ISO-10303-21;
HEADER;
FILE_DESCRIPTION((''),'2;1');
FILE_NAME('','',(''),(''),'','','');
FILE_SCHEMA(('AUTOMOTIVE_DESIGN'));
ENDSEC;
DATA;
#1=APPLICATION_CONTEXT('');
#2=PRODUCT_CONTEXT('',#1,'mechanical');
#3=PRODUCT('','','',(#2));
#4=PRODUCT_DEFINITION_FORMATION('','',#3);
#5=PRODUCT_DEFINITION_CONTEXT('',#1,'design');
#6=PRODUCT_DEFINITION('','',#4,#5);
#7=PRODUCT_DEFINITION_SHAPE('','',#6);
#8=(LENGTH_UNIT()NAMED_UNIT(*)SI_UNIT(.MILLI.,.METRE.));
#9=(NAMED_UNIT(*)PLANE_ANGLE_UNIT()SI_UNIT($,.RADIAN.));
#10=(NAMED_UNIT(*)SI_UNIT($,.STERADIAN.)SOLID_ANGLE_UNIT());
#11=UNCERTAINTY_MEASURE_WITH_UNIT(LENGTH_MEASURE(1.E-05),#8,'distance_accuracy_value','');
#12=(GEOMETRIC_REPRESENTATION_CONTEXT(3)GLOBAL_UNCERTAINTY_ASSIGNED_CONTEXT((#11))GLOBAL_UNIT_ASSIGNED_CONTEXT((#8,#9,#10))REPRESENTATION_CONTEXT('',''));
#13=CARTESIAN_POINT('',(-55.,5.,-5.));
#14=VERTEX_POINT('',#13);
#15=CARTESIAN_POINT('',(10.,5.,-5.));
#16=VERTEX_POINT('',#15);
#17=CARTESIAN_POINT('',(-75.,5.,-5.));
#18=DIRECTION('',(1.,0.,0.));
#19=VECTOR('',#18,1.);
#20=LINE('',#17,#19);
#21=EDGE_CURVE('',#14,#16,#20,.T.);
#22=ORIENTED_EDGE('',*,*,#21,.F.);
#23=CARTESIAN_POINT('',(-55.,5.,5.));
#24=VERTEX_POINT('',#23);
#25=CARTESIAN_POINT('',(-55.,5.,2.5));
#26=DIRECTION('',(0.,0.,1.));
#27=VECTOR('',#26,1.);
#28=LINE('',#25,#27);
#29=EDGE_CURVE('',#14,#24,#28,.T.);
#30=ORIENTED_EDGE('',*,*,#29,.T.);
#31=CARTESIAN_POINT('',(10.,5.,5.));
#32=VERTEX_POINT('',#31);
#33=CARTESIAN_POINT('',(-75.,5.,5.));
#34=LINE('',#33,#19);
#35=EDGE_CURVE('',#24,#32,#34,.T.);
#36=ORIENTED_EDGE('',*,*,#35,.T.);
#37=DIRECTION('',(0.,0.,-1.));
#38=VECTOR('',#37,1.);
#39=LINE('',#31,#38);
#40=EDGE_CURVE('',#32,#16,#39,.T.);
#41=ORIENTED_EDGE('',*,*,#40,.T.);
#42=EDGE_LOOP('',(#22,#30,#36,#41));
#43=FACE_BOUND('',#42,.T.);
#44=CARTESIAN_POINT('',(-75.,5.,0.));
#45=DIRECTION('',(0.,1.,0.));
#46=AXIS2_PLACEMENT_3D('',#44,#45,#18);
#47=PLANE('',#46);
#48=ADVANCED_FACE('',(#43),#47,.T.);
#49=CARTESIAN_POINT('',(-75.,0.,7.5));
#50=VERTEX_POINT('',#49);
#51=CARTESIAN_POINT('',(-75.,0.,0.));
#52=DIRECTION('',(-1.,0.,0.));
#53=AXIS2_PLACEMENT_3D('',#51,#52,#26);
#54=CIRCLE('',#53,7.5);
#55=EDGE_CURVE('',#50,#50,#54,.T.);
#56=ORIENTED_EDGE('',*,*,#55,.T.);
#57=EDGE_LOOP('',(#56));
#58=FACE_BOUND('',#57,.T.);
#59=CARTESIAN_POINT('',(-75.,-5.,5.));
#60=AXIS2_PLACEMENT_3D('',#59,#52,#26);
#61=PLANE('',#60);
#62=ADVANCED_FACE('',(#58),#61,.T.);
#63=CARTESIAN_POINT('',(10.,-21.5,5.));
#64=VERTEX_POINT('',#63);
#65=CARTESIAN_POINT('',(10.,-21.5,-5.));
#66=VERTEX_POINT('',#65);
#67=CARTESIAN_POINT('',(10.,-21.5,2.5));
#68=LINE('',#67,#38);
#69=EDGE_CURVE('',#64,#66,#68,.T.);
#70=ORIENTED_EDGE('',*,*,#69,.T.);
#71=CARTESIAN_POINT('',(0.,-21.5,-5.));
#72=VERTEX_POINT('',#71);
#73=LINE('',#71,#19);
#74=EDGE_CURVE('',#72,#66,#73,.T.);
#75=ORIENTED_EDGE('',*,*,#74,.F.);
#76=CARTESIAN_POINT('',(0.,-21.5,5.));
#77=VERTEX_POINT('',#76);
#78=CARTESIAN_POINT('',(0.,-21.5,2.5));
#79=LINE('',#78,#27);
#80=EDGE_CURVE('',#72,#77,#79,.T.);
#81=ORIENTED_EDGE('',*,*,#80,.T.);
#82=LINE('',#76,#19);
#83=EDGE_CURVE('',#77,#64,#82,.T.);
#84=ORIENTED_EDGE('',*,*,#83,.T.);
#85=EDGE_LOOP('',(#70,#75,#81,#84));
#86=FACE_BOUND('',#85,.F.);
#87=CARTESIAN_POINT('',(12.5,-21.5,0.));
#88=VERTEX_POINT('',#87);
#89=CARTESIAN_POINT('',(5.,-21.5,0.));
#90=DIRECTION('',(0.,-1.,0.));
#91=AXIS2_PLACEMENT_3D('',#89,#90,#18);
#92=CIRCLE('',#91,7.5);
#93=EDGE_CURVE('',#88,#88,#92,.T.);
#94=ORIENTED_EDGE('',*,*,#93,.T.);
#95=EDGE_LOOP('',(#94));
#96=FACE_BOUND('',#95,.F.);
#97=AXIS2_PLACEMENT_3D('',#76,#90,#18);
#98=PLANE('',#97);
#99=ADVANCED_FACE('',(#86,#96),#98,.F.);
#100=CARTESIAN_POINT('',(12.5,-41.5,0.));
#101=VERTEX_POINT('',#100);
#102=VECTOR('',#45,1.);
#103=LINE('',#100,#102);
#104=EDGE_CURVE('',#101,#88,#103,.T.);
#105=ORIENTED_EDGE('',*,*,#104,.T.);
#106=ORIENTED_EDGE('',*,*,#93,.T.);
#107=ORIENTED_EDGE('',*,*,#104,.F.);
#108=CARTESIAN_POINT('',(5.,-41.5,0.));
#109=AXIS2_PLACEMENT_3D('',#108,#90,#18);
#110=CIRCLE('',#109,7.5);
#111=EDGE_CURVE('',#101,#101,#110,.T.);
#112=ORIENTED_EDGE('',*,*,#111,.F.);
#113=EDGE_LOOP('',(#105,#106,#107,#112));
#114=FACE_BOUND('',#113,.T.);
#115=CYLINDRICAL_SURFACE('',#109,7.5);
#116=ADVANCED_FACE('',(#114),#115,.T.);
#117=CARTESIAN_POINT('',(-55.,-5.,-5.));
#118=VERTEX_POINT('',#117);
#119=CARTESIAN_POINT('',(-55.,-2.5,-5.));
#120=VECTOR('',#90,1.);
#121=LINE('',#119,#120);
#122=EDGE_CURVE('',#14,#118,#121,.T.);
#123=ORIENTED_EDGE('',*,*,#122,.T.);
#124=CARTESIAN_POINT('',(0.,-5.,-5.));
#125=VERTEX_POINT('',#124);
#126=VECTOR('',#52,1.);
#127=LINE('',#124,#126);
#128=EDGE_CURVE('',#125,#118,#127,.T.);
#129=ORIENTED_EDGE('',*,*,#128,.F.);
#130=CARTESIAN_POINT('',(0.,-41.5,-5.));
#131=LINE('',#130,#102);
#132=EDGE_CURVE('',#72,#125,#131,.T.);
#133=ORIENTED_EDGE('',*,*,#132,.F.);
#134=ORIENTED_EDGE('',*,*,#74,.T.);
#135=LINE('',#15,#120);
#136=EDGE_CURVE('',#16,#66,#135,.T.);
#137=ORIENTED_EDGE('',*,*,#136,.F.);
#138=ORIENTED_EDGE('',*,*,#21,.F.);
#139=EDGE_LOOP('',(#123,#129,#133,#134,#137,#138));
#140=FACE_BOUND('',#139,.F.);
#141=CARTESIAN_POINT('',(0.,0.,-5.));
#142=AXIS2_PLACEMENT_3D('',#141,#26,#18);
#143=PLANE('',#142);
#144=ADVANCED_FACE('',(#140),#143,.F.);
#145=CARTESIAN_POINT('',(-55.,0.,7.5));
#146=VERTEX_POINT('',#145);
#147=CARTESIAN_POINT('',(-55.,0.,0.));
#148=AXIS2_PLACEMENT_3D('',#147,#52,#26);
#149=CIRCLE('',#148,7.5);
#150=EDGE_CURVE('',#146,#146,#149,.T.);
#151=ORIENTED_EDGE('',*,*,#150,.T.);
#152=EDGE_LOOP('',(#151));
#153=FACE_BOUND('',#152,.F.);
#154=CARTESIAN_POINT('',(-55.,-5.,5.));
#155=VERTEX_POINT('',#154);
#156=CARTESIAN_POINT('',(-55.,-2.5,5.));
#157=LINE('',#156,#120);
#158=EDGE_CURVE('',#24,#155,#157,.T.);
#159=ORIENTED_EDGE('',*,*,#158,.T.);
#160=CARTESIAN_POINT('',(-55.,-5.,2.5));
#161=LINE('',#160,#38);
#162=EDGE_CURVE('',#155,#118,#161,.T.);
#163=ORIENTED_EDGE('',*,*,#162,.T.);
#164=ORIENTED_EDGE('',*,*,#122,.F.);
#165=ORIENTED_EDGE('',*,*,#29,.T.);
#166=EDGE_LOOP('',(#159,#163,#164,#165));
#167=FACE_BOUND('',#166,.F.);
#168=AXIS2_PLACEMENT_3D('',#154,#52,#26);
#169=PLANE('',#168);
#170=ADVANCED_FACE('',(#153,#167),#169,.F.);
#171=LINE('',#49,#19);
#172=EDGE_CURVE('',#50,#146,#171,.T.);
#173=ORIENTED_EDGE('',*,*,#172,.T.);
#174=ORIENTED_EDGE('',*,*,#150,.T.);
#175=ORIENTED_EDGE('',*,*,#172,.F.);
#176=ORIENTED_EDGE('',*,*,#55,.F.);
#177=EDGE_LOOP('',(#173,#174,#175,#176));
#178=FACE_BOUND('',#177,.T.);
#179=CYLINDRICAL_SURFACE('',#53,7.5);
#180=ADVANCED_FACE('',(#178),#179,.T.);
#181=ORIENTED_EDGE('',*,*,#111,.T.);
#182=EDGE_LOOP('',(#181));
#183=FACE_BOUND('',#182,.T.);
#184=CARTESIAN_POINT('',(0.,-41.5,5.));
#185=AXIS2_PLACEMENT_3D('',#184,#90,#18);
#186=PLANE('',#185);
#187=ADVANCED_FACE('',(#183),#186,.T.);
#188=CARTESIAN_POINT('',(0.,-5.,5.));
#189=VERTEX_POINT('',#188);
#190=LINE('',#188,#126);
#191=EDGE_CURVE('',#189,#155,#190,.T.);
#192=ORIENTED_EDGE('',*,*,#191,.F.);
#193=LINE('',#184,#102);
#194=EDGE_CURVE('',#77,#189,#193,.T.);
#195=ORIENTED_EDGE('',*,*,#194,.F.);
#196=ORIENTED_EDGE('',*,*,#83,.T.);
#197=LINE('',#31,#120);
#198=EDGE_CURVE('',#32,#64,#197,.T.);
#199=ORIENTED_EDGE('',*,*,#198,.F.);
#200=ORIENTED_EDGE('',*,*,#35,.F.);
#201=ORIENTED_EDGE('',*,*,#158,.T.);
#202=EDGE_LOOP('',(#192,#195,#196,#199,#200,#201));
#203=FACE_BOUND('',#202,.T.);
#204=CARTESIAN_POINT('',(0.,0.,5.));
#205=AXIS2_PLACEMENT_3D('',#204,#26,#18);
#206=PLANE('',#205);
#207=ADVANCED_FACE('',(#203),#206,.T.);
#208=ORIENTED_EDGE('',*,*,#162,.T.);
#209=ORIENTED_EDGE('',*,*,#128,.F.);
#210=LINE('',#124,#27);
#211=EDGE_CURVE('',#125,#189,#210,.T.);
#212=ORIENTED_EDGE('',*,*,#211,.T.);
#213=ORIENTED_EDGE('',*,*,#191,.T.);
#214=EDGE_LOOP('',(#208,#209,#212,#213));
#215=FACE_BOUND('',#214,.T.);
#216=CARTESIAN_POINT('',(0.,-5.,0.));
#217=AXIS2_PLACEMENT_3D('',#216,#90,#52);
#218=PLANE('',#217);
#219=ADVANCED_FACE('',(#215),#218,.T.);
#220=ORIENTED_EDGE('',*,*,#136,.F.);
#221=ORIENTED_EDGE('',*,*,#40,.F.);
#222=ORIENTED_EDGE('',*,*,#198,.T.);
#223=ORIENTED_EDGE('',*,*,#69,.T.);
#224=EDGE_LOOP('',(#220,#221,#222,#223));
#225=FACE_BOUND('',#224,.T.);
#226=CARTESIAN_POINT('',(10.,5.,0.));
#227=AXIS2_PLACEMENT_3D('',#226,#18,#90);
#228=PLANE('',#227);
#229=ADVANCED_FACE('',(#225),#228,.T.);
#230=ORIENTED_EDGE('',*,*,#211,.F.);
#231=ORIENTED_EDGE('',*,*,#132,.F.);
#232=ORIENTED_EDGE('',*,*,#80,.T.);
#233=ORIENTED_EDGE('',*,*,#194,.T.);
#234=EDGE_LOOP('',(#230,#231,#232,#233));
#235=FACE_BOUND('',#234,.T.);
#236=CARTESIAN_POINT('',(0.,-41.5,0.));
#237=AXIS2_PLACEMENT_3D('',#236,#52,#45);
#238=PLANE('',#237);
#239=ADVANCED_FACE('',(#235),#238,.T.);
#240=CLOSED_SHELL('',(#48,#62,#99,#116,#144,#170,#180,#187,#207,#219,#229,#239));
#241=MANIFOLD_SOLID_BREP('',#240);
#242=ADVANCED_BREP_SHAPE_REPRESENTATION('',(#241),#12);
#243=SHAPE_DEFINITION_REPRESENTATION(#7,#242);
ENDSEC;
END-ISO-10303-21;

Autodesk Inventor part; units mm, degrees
ref_plane "YZ Plane" through (0, 0, 0) normal (1, 0, 0) x (0, 1, 0)
ref_plane "XZ Plane" through (0, 0, 0) normal (0, 1, 0) x (-1, 0, 0)
ref_plane "XY Plane" through (0, 0, 0) normal (0, 0, 1) x (1, 0, 0)
sketch "スケッチ1" plane through (0, 0, 0) normal (0, 0, 1) x (1, 0, 0)
  line L0 (-75, -5) -> (-75, 5)
  line L1 (-75, 5) -> (10, 5)
  line L2 (10, 5) -> (10, -41.5)
  line L3 (10, -41.5) -> (0, -41.5)
  line L4 (0, -41.5) -> (0, -5)
  line L5 (0, -5) -> (-75, -5)
  point P0 (0, 0)
  dimension "d0" = 85
  dimension "d1" = 46.5
  dimension "d2" = 10
  dimension "d3" = 10
  dimension "d4" = 10
  dimension "d6" = 5
extrude "押し出し1" add sketch "スケッチ1" along normal blind 5 and the other way blind 5
sketch "スケッチ2" plane through (0, -41.5, 5) normal (0, -1, 0) x (1, 0, 0)
  circle A0 centre (5, -5) radius 7.5
  line L0 (0, -10) -> (0, 0) projected
  point P0 (0, -5)
  point P1 (0, -5)
  dimension "d11" = 15
  dimension "d12" = 5
  dimension "d13" = 5
extrude "押し出し2" add sketch "スケッチ2" against normal blind 20
sketch "スケッチ3" plane through (-75, -5, 5) normal (-1, 0, 0) x (0, 0, 1)
  circle A0 centre (-5, 5) radius 7.5
  dimension "d16" = 15
extrude "押し出し3" add sketch "スケッチ3" against normal blind 20
properties part number "r_link_wr2wp"
